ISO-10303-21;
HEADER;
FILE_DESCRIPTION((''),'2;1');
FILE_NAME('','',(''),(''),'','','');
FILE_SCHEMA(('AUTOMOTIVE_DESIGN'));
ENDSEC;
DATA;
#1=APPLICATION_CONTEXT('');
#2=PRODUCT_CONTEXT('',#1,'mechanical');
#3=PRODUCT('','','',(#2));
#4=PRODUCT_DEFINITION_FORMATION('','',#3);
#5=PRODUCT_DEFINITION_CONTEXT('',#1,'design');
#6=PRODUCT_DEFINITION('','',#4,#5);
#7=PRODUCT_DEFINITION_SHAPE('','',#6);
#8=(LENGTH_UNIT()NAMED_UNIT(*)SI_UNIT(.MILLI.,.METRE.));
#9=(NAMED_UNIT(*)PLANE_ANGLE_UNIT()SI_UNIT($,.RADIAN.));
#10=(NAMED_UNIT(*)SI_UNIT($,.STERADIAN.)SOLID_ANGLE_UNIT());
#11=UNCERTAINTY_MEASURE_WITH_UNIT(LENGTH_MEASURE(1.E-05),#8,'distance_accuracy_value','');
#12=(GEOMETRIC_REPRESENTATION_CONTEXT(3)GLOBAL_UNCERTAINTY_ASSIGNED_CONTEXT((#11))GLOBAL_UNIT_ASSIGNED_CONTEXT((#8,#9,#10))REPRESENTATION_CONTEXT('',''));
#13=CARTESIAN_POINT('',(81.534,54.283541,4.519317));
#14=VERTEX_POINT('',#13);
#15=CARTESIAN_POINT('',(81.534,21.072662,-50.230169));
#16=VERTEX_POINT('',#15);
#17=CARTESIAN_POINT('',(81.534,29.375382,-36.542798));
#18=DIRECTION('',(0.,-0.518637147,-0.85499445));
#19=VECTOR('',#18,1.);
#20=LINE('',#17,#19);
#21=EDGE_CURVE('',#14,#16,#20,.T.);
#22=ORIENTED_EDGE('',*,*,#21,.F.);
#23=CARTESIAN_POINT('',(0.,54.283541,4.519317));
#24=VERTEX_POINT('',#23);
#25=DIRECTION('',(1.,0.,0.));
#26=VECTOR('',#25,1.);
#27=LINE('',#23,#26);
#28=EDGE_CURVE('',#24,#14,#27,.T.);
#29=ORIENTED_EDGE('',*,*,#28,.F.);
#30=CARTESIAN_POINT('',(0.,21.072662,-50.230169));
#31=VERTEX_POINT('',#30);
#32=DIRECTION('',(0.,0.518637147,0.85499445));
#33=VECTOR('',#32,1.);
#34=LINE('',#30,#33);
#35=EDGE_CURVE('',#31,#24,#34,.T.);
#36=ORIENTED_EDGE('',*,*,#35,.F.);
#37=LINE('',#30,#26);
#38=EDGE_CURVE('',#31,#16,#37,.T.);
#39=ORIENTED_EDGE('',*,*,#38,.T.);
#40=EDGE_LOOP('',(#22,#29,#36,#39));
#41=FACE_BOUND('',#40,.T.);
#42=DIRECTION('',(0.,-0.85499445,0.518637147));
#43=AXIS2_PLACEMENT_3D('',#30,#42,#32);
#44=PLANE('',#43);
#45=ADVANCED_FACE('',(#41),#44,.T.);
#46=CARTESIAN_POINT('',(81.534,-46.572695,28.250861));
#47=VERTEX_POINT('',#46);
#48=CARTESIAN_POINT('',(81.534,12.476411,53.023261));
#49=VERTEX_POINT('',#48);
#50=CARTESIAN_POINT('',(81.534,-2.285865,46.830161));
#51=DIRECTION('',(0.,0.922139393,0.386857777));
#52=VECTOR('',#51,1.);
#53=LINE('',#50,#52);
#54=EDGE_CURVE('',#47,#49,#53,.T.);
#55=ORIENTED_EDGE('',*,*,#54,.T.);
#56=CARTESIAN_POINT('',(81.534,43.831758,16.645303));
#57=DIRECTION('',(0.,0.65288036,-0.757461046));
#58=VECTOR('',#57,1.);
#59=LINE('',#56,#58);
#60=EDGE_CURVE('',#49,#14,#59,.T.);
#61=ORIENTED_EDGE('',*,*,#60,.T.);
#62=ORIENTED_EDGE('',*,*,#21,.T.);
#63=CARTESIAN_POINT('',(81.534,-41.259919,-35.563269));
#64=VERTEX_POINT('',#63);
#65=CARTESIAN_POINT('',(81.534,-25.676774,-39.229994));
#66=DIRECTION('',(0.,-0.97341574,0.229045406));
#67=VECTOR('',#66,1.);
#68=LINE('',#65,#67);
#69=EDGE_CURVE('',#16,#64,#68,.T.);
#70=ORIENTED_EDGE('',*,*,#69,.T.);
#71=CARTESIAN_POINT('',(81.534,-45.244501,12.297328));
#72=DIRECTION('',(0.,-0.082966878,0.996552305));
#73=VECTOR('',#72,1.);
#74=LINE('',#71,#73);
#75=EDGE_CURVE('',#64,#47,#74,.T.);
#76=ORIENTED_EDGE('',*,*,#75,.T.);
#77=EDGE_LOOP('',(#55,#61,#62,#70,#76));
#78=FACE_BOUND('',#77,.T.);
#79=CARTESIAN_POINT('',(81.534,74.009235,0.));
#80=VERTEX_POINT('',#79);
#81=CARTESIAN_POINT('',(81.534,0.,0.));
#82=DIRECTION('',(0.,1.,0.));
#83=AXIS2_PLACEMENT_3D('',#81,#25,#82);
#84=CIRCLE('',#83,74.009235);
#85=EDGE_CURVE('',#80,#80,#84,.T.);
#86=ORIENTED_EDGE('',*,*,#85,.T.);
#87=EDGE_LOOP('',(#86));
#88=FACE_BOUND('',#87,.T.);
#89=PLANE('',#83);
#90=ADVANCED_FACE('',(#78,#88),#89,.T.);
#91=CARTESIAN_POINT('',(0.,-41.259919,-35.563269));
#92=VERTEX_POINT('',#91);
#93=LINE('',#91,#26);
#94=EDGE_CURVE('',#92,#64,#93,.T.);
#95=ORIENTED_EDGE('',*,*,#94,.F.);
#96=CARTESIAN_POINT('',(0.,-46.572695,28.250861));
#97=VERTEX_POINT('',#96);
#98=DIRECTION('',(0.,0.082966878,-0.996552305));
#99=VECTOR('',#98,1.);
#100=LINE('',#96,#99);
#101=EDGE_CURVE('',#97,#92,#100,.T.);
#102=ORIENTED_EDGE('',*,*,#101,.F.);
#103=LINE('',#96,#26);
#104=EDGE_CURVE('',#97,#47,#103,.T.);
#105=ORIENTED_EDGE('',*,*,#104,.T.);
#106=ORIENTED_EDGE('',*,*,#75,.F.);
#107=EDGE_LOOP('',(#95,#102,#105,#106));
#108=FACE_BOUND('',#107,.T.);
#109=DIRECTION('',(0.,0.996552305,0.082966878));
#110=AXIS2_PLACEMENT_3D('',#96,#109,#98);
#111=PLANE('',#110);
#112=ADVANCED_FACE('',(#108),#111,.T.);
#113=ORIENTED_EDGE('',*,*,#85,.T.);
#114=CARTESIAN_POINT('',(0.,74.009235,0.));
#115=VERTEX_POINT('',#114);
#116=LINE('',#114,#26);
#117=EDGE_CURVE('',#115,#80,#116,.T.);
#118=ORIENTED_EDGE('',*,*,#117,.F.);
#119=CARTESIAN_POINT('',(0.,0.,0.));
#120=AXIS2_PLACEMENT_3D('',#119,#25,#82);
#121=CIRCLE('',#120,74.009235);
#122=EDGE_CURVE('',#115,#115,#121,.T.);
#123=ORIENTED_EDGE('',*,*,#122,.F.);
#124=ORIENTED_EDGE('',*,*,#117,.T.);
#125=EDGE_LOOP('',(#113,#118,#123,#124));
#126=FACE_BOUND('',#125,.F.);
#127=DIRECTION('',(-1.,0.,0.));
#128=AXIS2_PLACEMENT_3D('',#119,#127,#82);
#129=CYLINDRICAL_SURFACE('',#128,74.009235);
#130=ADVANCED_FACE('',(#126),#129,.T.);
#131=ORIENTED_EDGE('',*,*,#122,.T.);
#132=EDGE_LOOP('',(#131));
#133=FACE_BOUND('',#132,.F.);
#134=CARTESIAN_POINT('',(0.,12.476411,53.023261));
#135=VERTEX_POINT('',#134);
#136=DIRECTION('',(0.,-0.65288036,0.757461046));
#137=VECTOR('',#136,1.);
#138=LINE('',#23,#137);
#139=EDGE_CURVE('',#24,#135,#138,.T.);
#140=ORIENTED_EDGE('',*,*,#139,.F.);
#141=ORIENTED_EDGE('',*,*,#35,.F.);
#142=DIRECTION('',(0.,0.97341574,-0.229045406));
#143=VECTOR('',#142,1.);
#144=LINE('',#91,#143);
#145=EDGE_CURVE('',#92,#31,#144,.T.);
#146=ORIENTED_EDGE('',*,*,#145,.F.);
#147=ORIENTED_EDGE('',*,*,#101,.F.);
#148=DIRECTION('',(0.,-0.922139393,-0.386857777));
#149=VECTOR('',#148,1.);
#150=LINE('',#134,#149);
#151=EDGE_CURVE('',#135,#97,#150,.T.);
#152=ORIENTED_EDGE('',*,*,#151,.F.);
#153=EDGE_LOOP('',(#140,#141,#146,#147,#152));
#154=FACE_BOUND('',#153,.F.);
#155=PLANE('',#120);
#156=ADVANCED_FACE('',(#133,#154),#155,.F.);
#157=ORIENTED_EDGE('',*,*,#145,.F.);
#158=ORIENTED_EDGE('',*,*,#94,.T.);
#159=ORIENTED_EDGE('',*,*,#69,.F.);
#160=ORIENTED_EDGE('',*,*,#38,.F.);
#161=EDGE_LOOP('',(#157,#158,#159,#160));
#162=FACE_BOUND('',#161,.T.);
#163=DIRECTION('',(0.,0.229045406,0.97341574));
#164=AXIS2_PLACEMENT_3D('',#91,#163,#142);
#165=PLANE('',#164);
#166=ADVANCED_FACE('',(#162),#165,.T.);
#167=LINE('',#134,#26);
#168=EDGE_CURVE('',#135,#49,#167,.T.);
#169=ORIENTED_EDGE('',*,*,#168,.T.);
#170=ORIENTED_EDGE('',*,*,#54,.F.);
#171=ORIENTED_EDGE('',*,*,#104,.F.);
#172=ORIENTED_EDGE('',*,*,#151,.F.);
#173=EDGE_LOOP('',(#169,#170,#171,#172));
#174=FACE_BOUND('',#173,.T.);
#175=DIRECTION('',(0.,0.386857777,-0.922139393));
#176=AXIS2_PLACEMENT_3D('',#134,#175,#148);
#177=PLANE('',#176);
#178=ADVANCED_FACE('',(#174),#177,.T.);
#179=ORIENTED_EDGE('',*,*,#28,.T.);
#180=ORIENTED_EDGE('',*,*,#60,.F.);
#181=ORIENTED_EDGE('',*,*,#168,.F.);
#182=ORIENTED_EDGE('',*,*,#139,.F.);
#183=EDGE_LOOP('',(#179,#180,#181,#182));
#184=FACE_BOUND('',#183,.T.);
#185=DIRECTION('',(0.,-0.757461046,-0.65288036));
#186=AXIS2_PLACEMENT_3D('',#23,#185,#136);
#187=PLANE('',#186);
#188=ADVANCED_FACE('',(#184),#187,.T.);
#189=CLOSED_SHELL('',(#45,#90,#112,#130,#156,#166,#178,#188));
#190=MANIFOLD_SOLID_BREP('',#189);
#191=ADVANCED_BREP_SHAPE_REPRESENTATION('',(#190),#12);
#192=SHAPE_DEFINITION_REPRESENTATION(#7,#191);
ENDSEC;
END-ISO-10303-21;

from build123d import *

# Parameters (mm, degrees)
F0_R     = 74.009235
F1_DEPTH = 81.534
F3_DEPTH = 226.06


with BuildPart() as f1:
    # F0 (on Right) → F1 (new body)
    with BuildSketch(Plane.YZ):
        Circle(F0_R)
    extrude(amount=F1_DEPTH)

    # F2 (on face) → F3 (cut)
    with BuildSketch(Plane.YZ):
        Polygon((54.283541, 4.519317), (12.476411, 53.023261), (-46.572695, 28.250861), (-41.259919, -35.563269), (21.072662, -50.230169), align=None)
    extrude(amount=F3_DEPTH, mode=Mode.SUBTRACT)


solid = f1.part
